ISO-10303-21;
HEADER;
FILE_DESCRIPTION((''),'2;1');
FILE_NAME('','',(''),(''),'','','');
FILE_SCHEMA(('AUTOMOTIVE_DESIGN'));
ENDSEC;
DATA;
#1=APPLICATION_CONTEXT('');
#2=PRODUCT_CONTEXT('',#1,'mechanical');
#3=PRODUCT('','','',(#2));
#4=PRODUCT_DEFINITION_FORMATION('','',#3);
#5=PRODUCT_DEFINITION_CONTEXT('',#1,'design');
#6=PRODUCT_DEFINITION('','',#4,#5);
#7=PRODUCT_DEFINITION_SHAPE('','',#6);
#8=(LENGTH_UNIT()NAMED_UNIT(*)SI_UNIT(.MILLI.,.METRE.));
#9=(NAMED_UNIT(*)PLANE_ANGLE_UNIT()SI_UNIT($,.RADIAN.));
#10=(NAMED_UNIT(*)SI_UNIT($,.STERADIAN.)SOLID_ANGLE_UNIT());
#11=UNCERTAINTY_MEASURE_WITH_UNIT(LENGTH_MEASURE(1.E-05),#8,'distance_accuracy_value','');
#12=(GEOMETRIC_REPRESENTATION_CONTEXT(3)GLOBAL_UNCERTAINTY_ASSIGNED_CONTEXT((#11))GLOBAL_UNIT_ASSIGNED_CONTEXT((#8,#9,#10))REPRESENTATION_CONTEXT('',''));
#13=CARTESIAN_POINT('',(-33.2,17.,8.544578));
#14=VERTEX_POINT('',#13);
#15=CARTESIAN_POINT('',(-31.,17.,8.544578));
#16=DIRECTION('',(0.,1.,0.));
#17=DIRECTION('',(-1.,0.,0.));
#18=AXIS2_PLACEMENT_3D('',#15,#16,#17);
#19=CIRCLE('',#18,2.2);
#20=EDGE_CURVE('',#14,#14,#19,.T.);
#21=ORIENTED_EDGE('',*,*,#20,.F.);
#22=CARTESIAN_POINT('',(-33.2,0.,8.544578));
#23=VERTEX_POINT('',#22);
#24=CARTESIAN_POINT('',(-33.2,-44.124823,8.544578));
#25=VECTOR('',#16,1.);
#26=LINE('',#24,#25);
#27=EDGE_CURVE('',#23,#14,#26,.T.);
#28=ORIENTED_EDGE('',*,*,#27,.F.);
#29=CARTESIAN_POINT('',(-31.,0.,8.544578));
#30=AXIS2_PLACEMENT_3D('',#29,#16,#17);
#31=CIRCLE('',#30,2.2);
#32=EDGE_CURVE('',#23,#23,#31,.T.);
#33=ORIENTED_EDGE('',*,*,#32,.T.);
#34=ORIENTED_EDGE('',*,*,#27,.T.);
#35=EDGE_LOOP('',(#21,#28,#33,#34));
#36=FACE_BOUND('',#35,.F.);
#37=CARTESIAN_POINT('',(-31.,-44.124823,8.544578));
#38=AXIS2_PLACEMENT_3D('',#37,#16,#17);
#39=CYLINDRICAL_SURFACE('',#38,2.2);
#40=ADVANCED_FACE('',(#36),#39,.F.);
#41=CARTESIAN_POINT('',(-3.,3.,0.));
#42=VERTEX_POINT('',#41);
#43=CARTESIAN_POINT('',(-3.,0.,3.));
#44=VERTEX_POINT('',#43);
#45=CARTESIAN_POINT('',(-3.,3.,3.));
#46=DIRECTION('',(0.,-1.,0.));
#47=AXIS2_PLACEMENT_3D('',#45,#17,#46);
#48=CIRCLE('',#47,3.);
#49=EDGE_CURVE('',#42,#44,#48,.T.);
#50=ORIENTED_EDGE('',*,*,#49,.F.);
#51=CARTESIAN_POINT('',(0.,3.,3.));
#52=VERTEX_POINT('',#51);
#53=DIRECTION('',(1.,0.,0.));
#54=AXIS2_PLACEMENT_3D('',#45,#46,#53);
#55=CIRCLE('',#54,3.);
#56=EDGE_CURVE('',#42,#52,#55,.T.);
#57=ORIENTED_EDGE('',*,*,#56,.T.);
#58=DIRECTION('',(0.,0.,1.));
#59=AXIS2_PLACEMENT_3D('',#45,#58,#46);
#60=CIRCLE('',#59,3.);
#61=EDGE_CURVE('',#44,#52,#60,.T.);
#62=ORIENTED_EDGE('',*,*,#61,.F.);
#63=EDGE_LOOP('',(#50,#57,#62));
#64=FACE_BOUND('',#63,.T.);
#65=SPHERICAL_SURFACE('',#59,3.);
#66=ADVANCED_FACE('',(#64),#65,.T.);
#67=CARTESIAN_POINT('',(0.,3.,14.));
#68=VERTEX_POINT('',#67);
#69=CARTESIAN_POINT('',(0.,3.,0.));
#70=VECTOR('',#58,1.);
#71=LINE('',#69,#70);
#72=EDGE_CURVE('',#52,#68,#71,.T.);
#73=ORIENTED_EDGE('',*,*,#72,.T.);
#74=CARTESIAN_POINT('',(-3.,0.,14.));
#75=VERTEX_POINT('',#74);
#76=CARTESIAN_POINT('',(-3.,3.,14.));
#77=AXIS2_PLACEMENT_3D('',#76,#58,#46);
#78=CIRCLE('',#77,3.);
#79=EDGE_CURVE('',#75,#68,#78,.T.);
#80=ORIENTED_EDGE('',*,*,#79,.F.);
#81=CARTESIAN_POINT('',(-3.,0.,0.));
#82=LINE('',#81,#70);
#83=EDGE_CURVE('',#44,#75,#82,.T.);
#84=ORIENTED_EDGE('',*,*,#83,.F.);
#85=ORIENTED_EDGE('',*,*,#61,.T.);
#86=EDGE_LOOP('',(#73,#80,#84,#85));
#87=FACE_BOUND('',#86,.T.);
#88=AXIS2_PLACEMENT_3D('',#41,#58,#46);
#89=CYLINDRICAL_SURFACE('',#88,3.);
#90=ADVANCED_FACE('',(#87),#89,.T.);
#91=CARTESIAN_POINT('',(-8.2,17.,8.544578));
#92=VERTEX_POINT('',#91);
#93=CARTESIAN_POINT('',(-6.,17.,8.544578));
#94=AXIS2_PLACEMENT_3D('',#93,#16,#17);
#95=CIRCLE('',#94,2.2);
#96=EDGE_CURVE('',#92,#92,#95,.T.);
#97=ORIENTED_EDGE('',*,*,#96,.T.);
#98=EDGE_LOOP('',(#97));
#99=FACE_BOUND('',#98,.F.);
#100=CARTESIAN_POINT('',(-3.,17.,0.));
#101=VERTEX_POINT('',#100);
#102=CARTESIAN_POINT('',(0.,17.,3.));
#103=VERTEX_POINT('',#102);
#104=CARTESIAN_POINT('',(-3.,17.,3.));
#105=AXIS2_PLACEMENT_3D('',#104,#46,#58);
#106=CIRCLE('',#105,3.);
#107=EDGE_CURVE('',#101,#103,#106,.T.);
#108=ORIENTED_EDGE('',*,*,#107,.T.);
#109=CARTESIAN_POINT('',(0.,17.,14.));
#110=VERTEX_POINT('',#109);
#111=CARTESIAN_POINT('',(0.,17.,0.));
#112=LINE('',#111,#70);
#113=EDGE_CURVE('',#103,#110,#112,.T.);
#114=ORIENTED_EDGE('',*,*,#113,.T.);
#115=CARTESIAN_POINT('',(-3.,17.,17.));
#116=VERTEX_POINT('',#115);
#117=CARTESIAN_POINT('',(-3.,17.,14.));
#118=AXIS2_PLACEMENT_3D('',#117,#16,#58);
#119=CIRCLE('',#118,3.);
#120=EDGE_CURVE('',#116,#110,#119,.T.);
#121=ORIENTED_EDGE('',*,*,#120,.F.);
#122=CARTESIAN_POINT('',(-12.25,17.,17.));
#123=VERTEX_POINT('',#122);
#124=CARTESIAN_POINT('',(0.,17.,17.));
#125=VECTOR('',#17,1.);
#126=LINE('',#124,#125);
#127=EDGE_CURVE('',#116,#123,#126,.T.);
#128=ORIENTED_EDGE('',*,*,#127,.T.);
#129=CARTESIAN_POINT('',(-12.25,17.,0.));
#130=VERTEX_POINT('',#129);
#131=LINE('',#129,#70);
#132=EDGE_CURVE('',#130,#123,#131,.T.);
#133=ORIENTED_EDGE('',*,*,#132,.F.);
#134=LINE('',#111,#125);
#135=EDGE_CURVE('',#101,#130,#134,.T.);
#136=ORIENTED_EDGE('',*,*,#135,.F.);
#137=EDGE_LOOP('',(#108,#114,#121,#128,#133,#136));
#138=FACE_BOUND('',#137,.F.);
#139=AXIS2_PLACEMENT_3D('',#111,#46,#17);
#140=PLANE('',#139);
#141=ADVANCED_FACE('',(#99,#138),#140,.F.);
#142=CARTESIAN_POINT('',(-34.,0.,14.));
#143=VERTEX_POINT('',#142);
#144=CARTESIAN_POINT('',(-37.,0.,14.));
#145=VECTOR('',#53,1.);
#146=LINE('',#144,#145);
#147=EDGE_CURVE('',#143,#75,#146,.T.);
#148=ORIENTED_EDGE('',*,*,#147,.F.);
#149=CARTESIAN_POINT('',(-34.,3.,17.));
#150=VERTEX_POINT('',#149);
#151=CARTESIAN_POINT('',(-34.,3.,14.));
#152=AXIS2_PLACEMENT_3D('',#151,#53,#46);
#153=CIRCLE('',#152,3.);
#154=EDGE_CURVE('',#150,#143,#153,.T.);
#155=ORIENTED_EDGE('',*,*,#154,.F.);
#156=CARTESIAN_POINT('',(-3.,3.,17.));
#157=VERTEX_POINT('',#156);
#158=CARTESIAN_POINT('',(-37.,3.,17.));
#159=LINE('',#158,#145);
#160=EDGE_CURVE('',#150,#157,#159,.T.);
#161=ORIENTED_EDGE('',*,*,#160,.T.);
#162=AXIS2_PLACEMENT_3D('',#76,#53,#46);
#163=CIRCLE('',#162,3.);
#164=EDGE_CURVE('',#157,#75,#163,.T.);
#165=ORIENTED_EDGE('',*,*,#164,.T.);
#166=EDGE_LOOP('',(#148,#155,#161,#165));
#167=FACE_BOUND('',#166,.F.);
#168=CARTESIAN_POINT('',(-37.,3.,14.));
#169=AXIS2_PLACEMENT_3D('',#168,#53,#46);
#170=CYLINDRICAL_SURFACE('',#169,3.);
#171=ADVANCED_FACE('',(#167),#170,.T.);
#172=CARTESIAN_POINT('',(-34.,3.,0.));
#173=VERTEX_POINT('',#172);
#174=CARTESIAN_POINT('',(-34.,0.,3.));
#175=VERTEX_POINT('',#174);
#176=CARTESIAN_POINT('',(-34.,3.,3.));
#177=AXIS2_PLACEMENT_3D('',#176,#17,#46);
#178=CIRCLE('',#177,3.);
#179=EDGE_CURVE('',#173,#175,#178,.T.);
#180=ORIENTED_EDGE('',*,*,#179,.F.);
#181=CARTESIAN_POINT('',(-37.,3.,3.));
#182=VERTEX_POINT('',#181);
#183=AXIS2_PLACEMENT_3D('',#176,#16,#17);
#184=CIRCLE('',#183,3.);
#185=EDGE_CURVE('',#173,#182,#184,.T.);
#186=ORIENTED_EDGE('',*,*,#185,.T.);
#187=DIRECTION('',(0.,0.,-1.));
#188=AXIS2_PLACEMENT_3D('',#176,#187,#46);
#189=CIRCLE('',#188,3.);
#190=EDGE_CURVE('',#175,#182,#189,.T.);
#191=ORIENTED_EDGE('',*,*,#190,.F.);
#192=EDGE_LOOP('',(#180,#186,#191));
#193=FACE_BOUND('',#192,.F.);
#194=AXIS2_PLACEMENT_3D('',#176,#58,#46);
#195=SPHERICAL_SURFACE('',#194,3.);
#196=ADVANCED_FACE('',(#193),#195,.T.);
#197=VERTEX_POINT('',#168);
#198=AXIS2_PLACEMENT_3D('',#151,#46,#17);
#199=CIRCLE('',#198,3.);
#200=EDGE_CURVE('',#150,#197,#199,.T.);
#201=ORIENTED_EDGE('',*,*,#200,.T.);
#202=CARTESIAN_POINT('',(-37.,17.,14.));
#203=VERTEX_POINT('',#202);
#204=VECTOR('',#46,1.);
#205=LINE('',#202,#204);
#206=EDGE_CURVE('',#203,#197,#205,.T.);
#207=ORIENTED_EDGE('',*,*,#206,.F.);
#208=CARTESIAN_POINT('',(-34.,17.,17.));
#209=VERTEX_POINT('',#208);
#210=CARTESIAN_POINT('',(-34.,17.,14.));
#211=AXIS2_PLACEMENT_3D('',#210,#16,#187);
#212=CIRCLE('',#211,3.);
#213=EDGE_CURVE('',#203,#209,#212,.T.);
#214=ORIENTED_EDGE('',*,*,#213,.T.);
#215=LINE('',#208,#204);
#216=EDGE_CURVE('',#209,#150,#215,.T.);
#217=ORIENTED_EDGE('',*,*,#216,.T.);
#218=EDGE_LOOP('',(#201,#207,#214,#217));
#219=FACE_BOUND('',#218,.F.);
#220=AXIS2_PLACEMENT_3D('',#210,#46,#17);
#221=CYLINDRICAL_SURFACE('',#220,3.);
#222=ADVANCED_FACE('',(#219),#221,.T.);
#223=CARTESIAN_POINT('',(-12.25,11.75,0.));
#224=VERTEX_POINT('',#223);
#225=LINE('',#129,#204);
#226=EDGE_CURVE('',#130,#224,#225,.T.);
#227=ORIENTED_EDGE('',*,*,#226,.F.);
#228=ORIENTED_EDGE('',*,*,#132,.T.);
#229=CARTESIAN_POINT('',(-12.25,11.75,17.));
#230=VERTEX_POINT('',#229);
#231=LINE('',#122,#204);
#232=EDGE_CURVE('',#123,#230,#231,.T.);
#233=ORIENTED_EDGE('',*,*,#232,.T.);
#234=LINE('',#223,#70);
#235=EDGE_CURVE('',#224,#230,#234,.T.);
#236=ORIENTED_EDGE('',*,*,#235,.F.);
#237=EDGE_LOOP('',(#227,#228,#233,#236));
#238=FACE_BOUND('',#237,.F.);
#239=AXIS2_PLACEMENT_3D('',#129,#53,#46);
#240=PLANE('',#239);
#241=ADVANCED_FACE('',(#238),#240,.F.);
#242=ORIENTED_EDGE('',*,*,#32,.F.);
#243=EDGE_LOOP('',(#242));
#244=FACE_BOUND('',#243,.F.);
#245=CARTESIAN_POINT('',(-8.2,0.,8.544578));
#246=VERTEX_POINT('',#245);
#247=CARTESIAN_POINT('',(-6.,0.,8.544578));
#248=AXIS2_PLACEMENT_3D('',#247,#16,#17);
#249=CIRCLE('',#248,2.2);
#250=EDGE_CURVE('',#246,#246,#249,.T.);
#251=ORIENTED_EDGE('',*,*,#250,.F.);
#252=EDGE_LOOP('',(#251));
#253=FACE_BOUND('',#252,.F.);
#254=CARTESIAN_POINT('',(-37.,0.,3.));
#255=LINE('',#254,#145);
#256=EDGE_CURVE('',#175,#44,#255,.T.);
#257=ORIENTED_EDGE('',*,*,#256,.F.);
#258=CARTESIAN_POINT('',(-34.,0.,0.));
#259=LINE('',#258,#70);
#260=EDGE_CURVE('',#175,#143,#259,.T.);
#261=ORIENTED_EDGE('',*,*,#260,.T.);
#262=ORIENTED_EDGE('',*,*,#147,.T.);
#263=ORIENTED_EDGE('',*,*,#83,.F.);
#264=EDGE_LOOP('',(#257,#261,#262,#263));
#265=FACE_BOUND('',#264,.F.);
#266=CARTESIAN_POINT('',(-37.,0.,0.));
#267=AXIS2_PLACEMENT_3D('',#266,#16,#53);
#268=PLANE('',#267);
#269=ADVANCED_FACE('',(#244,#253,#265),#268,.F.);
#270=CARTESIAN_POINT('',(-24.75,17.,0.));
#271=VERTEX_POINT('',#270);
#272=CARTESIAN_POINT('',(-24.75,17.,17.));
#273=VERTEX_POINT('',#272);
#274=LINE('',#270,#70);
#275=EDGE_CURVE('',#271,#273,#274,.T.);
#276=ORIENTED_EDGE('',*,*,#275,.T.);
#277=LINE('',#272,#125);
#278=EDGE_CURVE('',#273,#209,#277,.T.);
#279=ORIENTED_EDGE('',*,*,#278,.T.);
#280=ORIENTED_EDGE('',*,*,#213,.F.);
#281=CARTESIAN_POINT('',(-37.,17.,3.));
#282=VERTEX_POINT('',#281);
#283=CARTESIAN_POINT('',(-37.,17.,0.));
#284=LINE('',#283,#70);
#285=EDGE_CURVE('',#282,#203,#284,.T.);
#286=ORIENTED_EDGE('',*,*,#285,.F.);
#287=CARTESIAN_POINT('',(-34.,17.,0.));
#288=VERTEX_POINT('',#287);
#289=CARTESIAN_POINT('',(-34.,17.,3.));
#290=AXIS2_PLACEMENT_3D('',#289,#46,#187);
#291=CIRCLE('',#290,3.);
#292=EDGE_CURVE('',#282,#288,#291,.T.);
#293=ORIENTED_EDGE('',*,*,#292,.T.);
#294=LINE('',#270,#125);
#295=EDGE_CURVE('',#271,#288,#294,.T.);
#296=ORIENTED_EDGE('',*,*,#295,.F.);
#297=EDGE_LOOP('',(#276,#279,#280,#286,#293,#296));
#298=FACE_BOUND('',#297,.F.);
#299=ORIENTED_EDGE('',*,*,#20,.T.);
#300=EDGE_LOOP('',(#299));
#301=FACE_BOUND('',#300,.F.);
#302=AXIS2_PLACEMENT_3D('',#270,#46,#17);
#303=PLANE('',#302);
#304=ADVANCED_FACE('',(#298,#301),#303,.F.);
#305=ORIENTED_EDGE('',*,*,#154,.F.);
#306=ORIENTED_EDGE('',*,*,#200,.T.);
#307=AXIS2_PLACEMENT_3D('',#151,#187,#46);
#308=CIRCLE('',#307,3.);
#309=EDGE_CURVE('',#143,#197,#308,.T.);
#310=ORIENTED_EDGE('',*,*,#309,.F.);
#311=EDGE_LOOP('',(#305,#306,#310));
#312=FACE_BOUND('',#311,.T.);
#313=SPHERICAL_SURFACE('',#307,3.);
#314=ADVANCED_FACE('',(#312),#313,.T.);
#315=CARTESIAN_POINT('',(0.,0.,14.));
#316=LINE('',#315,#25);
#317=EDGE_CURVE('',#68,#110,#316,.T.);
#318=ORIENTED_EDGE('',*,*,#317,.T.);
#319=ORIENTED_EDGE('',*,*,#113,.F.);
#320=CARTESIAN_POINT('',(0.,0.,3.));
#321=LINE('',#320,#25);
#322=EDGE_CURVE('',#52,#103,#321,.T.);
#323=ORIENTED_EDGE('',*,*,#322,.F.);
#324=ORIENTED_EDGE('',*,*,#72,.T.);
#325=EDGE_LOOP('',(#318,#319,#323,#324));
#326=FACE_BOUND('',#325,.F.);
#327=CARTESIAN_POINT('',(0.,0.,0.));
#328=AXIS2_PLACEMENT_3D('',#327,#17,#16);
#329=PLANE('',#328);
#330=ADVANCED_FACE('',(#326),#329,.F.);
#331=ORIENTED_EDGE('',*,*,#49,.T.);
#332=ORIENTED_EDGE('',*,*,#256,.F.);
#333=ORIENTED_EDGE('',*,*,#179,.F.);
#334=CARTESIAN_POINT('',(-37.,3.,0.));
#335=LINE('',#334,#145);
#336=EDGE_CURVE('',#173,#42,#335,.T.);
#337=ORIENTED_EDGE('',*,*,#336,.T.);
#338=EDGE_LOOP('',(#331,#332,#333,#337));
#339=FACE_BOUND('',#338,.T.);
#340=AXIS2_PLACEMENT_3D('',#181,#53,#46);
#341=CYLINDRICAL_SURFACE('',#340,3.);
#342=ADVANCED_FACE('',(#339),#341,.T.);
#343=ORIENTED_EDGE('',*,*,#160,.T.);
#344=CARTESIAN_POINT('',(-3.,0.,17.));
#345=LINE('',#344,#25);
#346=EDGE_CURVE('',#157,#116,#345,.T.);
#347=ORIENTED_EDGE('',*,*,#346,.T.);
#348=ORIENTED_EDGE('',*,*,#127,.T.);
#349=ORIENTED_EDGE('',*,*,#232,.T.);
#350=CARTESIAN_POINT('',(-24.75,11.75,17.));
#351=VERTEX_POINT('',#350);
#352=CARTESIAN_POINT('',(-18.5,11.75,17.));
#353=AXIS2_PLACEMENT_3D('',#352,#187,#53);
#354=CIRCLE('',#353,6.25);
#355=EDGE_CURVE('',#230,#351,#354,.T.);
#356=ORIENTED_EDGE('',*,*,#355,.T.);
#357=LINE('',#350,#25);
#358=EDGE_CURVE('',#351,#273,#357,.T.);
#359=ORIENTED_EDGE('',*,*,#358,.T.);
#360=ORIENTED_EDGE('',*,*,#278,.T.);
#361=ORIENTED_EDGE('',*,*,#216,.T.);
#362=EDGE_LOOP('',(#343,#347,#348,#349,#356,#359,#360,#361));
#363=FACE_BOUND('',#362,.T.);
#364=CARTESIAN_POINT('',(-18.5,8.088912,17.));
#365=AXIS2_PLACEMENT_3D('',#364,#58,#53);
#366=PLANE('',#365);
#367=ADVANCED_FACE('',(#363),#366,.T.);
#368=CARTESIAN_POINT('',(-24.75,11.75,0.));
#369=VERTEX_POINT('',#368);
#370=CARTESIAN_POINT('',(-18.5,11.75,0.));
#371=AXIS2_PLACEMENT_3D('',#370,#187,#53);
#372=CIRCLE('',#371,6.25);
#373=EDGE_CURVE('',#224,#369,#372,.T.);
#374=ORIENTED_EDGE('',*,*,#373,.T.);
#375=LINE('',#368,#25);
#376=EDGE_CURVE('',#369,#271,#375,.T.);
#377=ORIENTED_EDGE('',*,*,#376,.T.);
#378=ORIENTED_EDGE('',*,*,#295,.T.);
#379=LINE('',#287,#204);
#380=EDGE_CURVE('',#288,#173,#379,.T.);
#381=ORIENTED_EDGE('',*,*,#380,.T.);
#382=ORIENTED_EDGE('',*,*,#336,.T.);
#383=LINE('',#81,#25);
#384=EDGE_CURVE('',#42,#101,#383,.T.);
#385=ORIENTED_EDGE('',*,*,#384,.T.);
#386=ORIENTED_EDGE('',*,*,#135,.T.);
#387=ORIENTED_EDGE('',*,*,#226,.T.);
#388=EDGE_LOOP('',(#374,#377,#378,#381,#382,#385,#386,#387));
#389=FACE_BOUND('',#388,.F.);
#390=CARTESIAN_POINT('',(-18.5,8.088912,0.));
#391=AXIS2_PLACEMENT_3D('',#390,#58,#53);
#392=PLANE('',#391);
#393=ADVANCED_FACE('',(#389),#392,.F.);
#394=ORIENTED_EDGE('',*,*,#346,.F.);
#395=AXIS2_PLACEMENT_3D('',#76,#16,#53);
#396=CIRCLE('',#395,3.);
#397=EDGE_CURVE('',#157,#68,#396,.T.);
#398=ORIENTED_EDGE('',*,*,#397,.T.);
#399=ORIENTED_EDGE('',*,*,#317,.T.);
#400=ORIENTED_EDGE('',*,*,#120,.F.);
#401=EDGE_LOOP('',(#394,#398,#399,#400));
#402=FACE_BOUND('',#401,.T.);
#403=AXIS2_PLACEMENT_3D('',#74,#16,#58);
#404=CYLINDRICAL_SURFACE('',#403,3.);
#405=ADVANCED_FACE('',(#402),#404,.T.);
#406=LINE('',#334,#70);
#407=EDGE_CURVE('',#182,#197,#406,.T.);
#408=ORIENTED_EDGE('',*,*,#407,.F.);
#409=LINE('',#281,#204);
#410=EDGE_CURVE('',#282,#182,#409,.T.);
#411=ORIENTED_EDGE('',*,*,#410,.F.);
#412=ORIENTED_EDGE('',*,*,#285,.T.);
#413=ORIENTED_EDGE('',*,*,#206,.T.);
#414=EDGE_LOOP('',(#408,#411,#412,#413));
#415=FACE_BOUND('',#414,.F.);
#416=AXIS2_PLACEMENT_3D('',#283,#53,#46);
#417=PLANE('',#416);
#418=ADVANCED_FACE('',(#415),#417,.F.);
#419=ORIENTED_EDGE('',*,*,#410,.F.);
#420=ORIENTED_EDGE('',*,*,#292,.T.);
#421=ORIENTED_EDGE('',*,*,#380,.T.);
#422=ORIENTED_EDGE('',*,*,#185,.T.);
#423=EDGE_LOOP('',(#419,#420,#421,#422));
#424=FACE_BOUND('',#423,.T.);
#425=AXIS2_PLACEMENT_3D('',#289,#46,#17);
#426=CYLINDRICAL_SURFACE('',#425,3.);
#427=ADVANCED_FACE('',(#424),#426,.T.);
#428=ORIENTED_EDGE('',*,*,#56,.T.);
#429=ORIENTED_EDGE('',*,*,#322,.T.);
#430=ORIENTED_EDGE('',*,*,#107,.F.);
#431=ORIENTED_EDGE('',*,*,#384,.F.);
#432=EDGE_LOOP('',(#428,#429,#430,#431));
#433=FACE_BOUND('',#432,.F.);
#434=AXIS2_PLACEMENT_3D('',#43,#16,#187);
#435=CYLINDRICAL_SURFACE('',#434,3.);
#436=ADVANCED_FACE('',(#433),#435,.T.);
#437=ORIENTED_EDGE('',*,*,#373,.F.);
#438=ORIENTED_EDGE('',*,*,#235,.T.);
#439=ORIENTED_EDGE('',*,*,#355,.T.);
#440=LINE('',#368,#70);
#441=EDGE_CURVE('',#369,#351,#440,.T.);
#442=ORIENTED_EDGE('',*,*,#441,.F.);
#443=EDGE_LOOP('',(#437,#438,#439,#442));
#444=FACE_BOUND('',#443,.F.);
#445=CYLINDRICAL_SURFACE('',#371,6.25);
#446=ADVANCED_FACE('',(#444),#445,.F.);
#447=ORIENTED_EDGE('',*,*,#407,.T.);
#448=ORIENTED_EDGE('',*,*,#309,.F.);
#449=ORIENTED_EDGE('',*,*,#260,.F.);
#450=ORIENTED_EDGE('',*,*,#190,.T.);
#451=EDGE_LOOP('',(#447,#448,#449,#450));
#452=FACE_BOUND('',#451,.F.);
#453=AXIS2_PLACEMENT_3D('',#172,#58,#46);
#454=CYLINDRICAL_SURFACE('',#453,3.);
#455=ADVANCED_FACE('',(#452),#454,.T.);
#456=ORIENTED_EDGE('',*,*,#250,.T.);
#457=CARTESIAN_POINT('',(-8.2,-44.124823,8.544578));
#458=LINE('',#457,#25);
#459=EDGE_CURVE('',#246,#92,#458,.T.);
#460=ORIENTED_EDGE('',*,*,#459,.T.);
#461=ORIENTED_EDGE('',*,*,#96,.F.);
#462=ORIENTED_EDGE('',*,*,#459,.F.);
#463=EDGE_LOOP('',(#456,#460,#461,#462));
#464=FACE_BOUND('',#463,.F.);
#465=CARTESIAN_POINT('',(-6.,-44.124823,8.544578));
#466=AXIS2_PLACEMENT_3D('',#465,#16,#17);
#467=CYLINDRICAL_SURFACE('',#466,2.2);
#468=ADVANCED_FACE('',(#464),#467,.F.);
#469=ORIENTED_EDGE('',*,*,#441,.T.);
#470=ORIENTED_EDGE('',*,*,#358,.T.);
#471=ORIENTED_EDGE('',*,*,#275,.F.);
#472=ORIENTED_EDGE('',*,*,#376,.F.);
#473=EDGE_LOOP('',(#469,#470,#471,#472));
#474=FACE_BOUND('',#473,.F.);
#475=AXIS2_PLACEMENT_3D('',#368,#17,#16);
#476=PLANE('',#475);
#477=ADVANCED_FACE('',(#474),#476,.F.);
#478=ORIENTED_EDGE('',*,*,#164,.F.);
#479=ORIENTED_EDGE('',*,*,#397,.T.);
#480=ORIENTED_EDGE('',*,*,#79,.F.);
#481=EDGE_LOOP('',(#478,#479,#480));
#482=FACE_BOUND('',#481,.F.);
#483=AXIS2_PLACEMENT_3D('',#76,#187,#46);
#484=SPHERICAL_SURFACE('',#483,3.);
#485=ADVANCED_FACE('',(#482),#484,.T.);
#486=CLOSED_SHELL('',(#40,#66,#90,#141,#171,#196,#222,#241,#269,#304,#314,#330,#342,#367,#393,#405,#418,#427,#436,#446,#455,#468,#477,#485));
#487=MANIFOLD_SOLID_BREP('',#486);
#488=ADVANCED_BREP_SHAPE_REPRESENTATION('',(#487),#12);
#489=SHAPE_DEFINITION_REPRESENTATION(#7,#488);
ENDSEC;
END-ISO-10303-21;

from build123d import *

# Parameters (mm, degrees)
F1_DEPTH = 17
F3_D     = 4.4
F4_R     = 3


with BuildPart() as f1:
    # F0 (on Top) → F1 (new body)
    with BuildSketch(Plane.XY):
        with BuildLine():
            Line((-37, 0), (0, 0))
            Line((0, 0), (0, 17))
            Line((0, 17), (-12.25, 17))
            Line((-12.25, 17), (-12.25, 11.75))
            ThreePointArc((-12.25, 11.75), (-18.5, 5.5), (-24.75, 11.75))
            Line((-24.75, 11.75), (-24.75, 17))
            Line((-24.75, 17), (-37, 17))
            Line((-37, 17), (-37, 0))
        make_face()
    extrude(amount=F1_DEPTH)

    # F3 (through all)
    with Locations(Plane.XZ):
        with Locations((-31, 8.5445777363), (-6, 8.5445777363)):
            Hole(F3_D / 2)

    # F4
    f4_edges = [f1.edges().sort_by_distance(p)[0] for p in [
        (-37, 0, 8.5),
        (0, 0, 8.5),
        (-18.5, 0, 17),
        (-18.5, 0, 0),
        (0, 8.5, 17),
        (0, 8.5, 0),
        (-37, 8.5, 17),
        (-37, 8.5, 0),
    ]]
    fillet(f4_edges, radius=F4_R)


solid = f1.part
